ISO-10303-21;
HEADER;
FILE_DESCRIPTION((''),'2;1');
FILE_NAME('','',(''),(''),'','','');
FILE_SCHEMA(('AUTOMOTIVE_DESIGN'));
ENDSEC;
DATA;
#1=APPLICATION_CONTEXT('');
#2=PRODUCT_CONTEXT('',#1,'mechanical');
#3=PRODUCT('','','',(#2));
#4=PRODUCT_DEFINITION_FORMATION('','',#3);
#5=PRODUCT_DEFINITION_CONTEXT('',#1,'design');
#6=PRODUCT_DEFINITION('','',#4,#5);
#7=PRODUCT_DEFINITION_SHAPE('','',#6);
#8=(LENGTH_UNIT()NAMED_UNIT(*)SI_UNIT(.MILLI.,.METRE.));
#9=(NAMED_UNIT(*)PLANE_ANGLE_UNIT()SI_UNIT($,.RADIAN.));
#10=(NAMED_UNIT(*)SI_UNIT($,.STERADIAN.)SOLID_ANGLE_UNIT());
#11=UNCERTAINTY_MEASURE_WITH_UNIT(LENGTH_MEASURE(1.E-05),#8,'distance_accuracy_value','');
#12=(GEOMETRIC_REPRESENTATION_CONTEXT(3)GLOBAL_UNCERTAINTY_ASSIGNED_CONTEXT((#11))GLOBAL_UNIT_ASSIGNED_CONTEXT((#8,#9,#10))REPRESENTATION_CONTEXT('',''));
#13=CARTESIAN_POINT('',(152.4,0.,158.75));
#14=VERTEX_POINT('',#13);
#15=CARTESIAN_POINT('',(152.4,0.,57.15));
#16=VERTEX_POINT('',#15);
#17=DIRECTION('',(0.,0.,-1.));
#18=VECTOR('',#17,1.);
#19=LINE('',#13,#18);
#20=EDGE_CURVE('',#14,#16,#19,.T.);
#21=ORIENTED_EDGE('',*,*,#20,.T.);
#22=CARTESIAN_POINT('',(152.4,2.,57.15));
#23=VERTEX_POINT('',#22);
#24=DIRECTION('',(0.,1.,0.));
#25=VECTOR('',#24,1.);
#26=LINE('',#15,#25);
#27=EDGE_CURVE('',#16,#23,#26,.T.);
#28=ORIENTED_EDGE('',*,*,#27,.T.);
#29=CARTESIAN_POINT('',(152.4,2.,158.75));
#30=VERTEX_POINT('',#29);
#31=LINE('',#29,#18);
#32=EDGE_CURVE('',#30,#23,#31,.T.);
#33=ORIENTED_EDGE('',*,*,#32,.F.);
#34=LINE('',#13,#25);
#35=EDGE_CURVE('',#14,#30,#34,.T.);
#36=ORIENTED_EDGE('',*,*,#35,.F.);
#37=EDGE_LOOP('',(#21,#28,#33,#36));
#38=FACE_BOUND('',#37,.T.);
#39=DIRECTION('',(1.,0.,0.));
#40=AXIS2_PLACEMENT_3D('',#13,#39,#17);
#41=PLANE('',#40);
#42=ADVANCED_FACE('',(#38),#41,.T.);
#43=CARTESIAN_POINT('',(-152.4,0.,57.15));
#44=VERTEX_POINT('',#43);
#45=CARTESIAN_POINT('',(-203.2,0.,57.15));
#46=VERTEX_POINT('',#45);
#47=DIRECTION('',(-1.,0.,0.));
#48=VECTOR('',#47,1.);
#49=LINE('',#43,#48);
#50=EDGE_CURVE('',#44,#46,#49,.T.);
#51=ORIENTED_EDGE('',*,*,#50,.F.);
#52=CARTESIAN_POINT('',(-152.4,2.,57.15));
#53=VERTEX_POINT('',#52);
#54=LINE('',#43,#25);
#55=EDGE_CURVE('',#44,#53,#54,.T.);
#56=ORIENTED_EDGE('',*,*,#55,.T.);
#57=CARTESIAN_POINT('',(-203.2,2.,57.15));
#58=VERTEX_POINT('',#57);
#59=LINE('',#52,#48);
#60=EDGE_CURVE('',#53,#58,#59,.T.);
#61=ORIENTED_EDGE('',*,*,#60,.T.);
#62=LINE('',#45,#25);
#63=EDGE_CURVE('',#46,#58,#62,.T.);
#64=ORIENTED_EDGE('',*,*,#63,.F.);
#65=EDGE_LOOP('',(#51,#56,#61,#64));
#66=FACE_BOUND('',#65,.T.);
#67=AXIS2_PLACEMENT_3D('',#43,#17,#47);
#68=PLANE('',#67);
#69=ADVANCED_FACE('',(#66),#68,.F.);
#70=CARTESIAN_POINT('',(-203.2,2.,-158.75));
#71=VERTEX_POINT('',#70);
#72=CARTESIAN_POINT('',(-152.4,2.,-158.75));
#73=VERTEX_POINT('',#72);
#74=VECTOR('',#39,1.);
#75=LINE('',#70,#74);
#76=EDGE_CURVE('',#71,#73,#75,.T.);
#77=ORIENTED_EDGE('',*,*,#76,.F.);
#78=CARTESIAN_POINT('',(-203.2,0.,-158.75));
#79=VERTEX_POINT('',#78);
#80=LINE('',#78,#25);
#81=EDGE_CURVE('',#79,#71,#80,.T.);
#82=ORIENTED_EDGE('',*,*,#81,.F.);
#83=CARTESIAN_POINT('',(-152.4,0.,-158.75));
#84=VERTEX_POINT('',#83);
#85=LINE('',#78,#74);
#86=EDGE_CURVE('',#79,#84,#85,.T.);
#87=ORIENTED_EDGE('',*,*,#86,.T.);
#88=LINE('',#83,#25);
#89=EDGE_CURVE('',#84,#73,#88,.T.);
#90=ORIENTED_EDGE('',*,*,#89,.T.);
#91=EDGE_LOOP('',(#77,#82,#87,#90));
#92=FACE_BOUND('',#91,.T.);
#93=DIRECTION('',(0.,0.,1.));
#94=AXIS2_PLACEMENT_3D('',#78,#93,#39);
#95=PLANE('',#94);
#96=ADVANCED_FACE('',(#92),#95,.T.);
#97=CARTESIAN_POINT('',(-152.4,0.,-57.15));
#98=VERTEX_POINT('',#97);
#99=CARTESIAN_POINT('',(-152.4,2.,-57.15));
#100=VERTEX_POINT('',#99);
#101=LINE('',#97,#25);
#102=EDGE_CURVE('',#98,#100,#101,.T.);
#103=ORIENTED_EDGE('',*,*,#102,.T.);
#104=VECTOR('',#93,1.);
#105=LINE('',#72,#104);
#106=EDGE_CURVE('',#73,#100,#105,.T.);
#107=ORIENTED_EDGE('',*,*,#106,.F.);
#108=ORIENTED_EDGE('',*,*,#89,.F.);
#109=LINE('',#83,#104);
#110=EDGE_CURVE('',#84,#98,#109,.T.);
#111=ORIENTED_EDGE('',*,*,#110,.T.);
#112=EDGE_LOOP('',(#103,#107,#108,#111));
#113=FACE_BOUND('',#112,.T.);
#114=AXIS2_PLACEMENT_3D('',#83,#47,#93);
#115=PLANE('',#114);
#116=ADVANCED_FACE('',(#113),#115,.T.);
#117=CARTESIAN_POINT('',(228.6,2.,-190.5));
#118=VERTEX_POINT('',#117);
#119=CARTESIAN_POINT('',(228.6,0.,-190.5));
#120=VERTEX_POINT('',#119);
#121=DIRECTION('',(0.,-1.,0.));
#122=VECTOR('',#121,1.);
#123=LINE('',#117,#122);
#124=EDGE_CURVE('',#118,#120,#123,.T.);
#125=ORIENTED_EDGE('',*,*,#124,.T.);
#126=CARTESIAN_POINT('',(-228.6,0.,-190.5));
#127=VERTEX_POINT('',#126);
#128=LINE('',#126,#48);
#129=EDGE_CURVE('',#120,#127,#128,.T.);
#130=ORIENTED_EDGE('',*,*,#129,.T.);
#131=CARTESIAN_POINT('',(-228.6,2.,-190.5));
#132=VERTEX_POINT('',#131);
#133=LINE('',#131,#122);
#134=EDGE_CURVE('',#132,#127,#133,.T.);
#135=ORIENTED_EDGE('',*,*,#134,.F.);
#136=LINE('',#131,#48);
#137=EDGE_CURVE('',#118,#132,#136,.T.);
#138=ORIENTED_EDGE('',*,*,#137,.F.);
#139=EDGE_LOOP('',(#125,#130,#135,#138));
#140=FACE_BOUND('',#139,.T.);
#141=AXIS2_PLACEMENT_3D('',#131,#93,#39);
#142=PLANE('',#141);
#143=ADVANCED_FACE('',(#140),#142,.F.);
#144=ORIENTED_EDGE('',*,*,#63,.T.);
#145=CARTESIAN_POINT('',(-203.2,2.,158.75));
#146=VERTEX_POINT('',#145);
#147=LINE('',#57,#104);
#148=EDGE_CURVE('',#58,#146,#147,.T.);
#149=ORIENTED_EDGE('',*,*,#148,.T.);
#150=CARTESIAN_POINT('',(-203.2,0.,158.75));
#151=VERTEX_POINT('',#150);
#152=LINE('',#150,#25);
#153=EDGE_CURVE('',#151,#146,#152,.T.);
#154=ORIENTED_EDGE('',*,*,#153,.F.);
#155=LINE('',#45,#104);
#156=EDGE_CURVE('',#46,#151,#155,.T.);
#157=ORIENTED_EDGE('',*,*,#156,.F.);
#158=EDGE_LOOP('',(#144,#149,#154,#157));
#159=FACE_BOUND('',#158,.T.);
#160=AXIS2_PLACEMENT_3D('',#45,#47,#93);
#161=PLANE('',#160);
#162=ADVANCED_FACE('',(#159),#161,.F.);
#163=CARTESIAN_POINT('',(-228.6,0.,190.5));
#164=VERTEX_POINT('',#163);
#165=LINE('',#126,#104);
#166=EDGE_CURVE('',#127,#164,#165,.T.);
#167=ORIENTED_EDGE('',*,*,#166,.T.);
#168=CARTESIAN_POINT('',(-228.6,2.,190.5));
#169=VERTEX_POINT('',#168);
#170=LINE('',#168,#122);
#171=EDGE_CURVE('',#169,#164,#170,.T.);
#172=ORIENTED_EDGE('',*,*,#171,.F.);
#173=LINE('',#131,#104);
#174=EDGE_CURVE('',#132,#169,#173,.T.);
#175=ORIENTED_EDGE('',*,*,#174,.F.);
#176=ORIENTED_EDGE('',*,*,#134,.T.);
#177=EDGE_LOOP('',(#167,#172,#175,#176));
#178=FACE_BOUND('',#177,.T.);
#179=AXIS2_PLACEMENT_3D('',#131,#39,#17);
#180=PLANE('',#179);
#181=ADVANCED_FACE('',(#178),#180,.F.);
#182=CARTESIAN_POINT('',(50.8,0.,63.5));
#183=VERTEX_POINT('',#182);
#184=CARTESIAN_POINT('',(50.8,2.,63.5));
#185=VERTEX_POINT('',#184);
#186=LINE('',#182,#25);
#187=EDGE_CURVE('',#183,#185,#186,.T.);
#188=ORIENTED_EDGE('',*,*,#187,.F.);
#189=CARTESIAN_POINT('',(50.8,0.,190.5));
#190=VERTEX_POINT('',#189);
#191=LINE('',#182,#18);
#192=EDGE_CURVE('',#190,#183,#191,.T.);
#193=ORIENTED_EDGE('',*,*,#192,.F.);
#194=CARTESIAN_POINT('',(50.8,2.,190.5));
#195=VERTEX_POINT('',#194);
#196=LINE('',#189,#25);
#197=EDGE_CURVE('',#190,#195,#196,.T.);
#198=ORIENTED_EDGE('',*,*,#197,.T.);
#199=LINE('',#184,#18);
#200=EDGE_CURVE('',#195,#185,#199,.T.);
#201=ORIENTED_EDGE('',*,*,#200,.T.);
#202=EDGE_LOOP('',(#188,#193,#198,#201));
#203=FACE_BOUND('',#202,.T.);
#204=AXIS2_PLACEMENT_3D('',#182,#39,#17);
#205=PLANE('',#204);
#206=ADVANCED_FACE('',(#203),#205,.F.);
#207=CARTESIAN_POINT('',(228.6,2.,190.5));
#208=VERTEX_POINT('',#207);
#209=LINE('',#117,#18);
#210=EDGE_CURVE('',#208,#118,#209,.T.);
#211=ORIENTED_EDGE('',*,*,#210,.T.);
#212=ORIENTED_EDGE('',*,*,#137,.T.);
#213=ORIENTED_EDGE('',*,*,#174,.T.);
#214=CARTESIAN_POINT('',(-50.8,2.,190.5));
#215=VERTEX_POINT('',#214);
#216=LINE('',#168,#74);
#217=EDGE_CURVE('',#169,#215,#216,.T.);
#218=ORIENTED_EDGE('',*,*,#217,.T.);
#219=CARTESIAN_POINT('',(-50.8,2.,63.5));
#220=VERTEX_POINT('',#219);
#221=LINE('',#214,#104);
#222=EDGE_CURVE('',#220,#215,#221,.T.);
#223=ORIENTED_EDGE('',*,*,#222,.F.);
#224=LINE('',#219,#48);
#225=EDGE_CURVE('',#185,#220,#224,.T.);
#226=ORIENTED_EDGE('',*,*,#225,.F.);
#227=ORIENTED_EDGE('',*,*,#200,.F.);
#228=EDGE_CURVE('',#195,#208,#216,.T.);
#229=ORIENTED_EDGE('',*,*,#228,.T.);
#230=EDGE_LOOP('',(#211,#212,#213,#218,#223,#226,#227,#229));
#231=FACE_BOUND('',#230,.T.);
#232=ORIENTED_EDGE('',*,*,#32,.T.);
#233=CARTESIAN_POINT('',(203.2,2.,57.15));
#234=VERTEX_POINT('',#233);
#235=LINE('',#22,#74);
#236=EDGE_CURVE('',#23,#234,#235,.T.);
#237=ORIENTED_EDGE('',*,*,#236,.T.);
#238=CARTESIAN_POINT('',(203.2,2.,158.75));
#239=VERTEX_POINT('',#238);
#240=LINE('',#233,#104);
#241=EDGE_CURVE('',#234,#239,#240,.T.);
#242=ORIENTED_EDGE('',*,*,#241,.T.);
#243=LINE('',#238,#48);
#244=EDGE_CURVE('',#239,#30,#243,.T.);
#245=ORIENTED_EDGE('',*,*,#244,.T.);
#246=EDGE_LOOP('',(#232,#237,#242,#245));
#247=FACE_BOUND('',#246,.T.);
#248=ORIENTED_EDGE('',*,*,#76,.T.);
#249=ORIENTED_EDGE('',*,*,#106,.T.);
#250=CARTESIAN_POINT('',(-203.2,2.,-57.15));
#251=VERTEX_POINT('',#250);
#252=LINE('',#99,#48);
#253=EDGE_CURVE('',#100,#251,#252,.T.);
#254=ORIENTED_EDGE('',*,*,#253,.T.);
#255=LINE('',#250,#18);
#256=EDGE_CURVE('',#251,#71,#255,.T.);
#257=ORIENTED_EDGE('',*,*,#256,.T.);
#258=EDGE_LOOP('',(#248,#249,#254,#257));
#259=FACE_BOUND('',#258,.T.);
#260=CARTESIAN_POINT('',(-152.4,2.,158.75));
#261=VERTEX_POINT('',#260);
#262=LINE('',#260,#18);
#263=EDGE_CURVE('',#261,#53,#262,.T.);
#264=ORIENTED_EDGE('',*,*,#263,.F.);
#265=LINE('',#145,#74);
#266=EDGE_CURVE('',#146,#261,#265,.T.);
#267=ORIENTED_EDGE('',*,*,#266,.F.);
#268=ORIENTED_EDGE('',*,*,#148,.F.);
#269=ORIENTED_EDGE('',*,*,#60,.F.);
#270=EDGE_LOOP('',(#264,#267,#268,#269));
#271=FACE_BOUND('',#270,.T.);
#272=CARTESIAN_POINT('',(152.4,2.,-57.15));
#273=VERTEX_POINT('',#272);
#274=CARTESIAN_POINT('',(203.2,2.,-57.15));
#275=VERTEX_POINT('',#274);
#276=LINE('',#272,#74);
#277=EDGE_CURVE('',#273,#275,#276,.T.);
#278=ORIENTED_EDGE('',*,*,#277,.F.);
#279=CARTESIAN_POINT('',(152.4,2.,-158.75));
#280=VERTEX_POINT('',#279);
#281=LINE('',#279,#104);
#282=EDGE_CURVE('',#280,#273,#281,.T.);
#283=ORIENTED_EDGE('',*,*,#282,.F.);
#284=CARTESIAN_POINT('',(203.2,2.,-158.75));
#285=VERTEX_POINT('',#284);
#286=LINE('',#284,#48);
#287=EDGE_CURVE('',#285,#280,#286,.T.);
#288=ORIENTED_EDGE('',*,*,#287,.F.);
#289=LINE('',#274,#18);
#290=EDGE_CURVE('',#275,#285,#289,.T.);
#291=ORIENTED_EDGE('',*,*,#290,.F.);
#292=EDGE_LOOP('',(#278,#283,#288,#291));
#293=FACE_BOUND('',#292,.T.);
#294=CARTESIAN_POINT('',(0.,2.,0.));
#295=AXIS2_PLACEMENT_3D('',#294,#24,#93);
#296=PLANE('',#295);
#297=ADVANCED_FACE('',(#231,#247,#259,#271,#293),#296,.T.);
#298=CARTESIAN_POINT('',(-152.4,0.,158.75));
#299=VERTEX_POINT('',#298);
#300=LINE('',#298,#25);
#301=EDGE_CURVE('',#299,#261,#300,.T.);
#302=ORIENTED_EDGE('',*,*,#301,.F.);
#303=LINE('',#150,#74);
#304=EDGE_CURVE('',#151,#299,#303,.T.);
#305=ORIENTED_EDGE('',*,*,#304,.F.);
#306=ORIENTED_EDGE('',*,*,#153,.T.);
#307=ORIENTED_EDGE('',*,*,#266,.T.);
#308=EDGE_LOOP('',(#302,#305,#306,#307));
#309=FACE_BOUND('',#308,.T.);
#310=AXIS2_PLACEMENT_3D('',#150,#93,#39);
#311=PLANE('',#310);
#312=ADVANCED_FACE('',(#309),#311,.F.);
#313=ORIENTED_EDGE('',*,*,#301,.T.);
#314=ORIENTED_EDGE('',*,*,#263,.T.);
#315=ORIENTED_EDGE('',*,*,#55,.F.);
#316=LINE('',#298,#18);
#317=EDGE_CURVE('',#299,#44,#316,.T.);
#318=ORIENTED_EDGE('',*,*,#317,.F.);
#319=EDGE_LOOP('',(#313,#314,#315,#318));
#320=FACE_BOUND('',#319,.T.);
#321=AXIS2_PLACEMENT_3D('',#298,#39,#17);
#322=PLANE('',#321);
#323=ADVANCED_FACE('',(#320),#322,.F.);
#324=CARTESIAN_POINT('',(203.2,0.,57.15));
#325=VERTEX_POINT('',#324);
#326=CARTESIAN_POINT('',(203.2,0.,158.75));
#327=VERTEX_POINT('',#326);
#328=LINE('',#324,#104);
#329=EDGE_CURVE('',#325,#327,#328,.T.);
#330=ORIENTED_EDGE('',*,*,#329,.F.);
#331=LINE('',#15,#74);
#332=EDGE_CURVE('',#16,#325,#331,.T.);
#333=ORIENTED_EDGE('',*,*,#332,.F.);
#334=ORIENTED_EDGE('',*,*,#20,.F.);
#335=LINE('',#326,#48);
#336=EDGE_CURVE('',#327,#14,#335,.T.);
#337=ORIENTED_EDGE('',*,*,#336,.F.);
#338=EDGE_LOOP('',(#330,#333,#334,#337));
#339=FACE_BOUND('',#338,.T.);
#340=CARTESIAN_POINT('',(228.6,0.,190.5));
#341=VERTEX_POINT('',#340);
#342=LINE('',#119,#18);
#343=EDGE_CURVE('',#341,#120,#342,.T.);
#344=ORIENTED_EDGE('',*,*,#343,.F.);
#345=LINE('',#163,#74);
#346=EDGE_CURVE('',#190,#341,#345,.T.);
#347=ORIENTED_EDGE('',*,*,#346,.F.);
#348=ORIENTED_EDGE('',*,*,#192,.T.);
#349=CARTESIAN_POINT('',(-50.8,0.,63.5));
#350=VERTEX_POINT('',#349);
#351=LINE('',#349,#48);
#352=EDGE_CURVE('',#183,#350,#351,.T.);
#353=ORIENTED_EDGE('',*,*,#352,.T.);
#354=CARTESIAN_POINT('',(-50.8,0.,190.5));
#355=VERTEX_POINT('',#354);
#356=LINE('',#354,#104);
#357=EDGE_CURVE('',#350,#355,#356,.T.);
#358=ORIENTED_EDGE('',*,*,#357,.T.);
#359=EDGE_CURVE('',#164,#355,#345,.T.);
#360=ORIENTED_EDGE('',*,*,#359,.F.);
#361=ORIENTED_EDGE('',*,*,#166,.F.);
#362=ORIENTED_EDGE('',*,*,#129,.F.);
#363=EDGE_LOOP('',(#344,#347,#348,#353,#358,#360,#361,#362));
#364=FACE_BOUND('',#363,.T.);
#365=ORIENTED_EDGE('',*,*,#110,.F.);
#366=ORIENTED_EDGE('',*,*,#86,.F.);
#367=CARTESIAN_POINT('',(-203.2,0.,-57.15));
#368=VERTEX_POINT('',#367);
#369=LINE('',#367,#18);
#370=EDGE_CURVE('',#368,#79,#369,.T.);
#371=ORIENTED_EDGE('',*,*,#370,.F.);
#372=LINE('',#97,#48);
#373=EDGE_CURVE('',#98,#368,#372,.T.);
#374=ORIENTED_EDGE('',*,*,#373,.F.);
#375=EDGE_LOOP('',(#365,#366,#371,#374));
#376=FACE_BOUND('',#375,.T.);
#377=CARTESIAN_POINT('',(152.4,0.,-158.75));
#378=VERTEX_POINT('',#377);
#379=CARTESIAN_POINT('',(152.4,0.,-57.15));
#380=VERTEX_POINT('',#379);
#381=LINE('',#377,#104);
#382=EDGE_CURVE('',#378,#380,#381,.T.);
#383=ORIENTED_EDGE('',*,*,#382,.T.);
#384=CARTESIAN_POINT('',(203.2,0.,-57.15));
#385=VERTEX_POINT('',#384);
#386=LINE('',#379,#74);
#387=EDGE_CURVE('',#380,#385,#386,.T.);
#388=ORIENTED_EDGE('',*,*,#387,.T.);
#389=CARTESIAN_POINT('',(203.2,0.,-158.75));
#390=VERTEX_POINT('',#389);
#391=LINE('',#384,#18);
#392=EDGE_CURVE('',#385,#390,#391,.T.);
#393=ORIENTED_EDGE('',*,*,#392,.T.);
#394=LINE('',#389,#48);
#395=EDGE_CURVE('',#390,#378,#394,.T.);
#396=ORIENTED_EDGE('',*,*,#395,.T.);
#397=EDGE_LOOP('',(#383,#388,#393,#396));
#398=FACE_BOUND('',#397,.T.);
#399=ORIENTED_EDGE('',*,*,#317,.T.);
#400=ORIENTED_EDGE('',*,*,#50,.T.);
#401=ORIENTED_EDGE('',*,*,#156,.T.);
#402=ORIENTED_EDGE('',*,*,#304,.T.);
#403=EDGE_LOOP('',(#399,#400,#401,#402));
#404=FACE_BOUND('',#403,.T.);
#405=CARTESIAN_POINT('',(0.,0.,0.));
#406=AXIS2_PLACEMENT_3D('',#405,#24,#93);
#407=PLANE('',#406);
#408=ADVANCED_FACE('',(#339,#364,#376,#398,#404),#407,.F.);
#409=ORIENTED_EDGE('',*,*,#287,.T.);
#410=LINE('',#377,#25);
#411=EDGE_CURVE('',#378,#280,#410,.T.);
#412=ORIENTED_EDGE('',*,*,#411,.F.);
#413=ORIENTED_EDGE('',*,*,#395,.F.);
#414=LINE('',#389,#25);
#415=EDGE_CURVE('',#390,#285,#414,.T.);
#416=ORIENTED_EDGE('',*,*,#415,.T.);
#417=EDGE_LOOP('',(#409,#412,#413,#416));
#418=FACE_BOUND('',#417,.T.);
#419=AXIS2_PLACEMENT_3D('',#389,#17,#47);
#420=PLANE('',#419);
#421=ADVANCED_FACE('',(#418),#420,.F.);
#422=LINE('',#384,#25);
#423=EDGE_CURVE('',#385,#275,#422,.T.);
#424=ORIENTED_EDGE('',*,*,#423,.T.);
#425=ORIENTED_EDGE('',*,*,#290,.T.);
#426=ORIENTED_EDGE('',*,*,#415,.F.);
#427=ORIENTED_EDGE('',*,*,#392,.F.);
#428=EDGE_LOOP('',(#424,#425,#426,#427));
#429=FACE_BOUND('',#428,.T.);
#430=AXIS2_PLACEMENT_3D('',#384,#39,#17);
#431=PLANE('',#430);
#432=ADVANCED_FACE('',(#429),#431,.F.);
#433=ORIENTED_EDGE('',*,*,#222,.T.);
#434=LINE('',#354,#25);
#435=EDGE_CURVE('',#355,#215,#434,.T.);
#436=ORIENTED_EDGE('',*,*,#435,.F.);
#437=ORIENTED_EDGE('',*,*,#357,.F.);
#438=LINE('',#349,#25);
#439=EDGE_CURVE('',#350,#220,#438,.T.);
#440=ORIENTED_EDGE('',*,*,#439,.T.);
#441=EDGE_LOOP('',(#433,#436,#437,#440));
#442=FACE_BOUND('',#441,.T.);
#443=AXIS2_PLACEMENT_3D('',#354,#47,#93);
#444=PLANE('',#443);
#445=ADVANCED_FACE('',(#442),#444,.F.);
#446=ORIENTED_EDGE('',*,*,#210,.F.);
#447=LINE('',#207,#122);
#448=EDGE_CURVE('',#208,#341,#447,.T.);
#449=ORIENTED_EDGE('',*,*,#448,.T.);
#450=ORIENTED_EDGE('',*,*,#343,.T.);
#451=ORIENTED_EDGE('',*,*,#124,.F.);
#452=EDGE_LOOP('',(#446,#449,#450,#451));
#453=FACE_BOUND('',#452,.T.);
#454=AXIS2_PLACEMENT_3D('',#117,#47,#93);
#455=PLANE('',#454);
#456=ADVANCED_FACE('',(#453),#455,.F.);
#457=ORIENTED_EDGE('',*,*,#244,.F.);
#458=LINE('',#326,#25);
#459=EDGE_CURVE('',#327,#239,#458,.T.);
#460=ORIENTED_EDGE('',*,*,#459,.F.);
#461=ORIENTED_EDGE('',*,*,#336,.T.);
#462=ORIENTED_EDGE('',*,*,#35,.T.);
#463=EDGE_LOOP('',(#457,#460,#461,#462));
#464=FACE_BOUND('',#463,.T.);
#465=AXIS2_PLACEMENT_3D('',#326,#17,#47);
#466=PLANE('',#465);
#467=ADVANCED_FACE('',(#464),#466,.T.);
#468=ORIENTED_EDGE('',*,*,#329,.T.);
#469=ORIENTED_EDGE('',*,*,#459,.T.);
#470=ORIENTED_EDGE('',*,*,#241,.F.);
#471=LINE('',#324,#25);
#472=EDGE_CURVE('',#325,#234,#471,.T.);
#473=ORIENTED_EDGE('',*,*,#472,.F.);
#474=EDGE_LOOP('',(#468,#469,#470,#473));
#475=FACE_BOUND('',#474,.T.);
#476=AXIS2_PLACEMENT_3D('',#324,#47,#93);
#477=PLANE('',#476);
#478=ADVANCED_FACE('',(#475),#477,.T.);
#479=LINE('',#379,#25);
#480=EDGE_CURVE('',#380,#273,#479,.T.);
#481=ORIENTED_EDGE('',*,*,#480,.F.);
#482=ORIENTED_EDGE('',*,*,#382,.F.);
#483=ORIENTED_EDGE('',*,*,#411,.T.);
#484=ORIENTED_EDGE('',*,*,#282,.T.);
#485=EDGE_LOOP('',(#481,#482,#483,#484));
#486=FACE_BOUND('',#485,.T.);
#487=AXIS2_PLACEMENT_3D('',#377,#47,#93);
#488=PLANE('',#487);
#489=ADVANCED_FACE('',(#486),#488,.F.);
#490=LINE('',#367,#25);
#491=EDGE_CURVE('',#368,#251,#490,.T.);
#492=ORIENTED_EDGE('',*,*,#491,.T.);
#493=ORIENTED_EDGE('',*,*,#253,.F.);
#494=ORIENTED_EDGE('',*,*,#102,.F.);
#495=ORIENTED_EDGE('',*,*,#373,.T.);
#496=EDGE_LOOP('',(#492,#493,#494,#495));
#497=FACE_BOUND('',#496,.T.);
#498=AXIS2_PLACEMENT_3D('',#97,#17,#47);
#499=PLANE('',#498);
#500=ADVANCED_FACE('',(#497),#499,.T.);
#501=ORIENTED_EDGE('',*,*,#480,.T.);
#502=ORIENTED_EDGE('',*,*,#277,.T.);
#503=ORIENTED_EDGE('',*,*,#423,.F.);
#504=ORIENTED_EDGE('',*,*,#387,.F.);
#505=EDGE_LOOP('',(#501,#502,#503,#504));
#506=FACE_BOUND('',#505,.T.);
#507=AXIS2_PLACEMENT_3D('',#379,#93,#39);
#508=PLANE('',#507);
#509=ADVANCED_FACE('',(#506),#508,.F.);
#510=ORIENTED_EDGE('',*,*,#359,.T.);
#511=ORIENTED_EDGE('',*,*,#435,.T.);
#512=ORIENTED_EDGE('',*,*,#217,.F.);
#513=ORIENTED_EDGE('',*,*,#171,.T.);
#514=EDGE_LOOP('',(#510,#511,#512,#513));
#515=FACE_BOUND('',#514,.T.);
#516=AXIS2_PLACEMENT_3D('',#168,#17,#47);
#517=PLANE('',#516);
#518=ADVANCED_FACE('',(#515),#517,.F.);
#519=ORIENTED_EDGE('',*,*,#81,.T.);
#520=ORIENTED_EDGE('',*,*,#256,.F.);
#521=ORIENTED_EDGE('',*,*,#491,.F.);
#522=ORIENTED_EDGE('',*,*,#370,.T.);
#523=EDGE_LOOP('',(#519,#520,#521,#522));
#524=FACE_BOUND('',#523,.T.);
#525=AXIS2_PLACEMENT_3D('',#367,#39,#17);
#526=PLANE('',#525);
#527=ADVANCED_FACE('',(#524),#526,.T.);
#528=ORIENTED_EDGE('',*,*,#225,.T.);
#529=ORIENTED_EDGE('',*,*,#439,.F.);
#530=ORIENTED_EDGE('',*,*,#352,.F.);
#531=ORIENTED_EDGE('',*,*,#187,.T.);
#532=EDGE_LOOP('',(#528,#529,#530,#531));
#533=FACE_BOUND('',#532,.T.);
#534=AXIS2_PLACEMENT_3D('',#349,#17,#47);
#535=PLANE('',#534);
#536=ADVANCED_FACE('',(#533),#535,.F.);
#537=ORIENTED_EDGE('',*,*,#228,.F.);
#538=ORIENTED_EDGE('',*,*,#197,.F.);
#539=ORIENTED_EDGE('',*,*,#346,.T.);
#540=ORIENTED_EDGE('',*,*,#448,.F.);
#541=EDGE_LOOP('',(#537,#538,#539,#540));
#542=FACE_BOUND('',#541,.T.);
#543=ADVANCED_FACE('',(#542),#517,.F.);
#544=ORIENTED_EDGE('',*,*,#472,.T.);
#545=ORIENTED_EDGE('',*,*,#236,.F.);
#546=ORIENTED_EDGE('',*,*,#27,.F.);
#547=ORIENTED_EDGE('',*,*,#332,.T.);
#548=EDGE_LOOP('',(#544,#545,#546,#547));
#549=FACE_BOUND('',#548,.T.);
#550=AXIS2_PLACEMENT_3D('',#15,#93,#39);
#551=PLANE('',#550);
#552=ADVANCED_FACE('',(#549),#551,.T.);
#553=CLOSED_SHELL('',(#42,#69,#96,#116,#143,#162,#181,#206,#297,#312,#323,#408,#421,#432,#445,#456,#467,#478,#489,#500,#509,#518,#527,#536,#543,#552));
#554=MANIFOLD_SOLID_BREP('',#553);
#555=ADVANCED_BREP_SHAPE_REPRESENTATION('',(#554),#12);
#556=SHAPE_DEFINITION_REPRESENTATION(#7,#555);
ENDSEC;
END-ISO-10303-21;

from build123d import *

# Parameters (mm, degrees)
SKETCH1_W           = 457.2
SKETCH1_H           = 381
BOSS_EXTRUDE1_DEPTH = 2
SKETCH119_W         = 50.8
SKETCH119_H         = 101.6
CUT_EXTRUDE1_DEPTH  = 298.577233672
SKETCH120_W         = 101.6
SKETCH120_H         = 127
CUT_EXTRUDE2_DEPTH  = 298.577233672


with BuildPart() as part:
    # Sketch1 → Boss-Extrude1 (new body)
    with BuildSketch(Plane(origin=(0, 0, 0), x_dir=(1, 0, 0), z_dir=(0, 1, 0))):
        Rectangle(SKETCH1_W, SKETCH1_H)
    extrude(amount=BOSS_EXTRUDE1_DEPTH)

    # Sketch119 → Cut-Extrude1 (cut, through all)
    with BuildSketch(Plane(origin=(0, 2, 0), x_dir=(1, 0, 0), z_dir=(0, 1, 0))):
        with Locations((-177.8, 107.95)):
            Rectangle(SKETCH119_W, SKETCH119_H)
        with Locations((177.8, 107.95)):
            Rectangle(SKETCH119_W, SKETCH119_H)
        with Locations((177.8, -107.95)):
            Rectangle(SKETCH119_W, SKETCH119_H)
        with Locations((-177.8, -107.95)):
            Rectangle(SKETCH119_W, SKETCH119_H)
    extrude(amount=-CUT_EXTRUDE1_DEPTH, mode=Mode.SUBTRACT)

    # Sketch120 → Cut-Extrude2 (cut, through all)
    with BuildSketch(Plane(origin=(0, 2, 0), x_dir=(1, 0, 0), z_dir=(0, 1, 0))):
        with Locations((0, -127)):
            Rectangle(SKETCH120_W, SKETCH120_H)
    extrude(amount=-CUT_EXTRUDE2_DEPTH, mode=Mode.SUBTRACT)


solid = part.part
